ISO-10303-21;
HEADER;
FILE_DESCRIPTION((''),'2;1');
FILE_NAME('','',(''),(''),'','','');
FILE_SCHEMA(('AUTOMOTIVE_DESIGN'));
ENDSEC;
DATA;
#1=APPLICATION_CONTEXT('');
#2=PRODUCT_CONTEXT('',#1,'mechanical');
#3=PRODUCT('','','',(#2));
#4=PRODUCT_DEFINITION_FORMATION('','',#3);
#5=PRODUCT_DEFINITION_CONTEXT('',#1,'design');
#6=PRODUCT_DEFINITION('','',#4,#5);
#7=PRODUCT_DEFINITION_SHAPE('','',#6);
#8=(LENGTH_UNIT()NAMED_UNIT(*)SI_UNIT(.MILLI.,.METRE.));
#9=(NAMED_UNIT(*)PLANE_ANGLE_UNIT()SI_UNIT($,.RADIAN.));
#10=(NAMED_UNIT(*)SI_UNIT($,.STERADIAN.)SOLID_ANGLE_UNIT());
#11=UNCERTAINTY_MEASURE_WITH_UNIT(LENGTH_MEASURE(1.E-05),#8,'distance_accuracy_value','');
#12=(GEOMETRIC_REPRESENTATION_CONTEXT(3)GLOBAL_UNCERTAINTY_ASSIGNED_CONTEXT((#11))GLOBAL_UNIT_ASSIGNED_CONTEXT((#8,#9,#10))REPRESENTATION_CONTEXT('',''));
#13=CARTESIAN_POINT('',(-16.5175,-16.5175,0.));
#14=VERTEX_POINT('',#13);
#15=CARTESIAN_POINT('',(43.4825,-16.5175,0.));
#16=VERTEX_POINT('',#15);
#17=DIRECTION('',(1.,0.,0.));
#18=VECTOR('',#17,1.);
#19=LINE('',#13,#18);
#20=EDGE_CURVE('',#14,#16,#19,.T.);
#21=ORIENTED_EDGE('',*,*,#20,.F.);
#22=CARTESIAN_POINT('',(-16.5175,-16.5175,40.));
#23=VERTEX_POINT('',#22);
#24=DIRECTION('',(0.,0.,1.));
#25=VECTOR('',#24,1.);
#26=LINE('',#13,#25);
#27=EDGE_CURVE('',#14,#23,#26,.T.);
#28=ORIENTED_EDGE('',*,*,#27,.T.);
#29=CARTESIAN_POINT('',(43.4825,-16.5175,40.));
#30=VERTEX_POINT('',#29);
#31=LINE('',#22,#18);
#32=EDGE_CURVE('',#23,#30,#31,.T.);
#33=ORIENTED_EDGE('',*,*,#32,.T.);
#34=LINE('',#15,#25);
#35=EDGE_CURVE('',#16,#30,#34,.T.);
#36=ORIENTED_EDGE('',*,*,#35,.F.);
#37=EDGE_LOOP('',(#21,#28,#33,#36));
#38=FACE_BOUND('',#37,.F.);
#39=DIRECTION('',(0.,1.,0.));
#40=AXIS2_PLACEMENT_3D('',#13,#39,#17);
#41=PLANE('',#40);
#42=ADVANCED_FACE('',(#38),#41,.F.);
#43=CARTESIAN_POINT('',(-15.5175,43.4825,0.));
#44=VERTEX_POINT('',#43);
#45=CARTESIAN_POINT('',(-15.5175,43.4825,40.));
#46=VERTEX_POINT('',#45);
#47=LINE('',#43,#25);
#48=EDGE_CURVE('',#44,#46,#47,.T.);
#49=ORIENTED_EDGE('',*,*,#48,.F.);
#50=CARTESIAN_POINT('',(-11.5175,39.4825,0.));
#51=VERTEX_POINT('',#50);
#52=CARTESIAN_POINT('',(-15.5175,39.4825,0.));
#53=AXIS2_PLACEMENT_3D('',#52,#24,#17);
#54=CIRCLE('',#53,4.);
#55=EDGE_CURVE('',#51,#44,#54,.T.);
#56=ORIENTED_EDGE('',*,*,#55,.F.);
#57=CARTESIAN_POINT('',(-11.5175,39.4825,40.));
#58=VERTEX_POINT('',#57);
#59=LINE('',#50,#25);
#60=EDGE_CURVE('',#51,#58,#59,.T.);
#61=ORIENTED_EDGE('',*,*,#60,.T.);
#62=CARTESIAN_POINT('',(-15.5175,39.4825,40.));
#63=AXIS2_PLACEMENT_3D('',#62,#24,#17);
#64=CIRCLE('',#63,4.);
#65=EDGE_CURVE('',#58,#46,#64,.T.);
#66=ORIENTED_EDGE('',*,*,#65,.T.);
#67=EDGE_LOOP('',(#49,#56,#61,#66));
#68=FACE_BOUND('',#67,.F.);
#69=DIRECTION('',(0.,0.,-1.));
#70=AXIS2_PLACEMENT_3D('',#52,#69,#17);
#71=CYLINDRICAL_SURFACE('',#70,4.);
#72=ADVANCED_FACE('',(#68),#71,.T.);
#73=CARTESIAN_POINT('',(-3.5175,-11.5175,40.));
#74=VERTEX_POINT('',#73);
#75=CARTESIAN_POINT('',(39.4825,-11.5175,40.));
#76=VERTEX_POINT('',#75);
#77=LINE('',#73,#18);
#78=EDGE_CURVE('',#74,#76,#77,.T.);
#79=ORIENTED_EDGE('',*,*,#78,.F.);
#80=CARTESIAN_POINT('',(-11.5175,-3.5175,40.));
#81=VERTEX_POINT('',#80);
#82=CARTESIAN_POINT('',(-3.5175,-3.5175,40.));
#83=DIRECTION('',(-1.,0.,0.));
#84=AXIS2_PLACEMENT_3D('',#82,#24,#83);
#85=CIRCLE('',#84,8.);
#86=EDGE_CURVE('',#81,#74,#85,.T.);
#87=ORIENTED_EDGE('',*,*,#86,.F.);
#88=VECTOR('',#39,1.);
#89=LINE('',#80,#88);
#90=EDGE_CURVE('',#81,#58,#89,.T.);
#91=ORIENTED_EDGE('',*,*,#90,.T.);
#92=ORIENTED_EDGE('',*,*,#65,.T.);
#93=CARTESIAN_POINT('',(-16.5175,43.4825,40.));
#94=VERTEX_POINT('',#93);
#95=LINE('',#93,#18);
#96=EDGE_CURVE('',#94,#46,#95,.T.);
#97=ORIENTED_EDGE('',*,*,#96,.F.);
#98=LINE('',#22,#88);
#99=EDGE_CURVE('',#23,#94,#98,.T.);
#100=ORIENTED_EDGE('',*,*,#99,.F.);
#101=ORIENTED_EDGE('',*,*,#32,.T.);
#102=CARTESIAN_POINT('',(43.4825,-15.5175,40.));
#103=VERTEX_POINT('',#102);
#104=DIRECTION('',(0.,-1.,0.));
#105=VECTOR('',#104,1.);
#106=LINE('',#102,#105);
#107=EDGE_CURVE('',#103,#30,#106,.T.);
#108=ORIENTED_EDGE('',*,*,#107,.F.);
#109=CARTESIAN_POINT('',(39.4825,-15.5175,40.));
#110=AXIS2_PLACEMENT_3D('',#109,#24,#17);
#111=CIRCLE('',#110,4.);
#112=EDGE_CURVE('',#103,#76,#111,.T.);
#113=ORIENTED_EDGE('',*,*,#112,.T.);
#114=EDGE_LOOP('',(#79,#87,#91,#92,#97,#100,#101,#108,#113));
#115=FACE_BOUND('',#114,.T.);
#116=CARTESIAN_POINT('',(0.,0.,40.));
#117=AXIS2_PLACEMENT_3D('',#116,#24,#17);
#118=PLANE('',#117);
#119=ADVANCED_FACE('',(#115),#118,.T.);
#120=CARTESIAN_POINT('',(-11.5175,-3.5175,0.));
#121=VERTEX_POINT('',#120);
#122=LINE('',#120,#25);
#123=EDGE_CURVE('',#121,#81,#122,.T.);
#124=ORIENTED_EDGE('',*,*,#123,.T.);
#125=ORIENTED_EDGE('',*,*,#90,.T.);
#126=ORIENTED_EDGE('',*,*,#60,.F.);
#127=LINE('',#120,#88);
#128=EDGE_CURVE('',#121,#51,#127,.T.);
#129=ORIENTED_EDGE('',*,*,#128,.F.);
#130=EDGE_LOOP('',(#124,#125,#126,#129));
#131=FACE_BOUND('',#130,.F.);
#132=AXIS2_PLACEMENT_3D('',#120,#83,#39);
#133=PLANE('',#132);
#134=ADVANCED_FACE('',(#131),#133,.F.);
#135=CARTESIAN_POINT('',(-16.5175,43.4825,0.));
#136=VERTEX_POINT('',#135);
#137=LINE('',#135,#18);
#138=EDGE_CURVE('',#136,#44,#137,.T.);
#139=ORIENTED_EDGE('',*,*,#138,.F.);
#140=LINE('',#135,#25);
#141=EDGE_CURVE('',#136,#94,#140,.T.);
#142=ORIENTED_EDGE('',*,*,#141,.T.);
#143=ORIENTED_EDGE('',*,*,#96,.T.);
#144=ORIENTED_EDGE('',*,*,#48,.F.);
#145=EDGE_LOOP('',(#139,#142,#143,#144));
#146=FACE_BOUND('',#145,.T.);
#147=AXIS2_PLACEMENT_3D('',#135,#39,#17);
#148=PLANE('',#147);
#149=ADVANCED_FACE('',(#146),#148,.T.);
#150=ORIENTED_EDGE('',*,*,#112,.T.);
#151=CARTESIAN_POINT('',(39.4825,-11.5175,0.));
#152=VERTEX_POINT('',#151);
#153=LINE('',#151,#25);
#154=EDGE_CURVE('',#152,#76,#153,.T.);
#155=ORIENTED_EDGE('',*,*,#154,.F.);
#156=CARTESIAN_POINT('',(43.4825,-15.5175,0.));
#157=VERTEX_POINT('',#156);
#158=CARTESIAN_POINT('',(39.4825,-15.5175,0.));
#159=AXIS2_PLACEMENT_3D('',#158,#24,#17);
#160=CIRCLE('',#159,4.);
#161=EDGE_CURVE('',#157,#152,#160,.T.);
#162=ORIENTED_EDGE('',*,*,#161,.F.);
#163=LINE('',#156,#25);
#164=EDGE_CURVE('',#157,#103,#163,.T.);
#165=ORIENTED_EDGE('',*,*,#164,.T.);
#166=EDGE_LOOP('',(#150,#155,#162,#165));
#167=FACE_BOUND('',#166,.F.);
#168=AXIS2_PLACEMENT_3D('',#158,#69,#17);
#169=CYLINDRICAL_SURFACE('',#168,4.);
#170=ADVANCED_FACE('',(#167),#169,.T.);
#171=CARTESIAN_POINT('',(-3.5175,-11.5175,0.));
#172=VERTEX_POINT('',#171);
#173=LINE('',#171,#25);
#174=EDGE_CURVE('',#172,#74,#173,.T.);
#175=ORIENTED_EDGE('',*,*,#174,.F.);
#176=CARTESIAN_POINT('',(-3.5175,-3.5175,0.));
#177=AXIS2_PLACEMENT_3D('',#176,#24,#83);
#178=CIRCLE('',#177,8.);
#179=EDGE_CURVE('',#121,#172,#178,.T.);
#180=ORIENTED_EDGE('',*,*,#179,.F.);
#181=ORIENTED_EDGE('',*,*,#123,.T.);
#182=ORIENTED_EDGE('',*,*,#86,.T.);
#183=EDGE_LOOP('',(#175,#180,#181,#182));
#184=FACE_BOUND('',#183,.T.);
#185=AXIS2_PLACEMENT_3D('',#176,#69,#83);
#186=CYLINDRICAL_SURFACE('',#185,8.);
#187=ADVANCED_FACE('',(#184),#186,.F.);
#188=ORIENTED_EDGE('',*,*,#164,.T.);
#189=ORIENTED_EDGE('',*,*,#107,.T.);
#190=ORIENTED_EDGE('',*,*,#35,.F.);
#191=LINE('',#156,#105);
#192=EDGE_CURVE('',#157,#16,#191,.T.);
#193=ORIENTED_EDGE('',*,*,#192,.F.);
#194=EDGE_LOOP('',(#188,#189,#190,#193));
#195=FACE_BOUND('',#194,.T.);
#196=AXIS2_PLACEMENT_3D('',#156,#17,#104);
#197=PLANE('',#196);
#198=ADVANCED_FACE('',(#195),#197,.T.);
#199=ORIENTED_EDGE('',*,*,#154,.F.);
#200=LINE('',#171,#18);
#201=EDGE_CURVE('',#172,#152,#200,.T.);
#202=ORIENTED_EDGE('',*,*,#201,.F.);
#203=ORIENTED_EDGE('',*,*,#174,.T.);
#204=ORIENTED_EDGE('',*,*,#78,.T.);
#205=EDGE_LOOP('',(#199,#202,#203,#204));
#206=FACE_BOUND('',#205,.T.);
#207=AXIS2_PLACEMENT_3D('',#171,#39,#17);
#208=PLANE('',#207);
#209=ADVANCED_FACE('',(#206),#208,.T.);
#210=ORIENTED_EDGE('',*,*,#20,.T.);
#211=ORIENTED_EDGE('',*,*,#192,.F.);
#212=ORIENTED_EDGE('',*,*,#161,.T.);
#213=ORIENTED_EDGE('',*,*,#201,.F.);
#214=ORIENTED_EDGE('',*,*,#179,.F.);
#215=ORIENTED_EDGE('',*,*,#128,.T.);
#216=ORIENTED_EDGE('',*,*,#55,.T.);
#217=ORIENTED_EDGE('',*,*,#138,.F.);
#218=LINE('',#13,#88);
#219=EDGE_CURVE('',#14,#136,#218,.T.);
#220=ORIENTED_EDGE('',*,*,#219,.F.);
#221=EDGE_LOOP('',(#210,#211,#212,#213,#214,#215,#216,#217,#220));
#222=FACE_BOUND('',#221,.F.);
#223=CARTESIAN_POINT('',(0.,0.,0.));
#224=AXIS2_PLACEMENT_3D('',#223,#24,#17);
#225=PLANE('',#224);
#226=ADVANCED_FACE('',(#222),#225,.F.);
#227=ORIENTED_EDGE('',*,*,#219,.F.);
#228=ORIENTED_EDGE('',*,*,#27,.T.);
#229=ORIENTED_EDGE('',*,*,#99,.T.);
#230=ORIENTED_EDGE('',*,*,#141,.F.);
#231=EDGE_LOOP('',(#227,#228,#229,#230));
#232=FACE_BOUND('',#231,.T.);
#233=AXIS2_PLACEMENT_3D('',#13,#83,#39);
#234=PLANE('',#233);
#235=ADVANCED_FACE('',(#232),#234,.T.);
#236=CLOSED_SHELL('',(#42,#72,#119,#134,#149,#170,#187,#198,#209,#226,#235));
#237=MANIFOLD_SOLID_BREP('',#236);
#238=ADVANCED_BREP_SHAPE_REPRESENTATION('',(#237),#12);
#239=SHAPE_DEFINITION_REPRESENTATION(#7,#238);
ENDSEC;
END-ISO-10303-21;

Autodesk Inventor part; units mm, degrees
ref_plane "YZ Plane" through (0, 0, 0) normal (1, 0, 0) x (0, 1, 0)
ref_plane "Płaszczyzna początkowa" through (0, 0, 0) normal (0, 0, 1) x (1, 0, 0)
ref_plane "Płaszczyzna końcowa" through (0, 0, 40) normal (0, 0, 1) x (1, 0, 0)
sketch "Szkic2" plane through (0, 0, 0) normal (0, 0, 1) x (1, 0, 0)
  line L0 (-11.5175, -3.5175) -> (-11.5175, 39.4825)
  line L1 (-16.5175, 43.4825) -> (-15.5175, 43.4825)
  line L2 (-16.5175, -16.5175) -> (-16.5175, 43.4825)
  line L3 (-16.5175, -16.5175) -> (43.4825, -16.5175)
  line L4 (43.4825, -15.5175) -> (43.4825, -16.5175)
  line L5 (-3.5175, -11.5175) -> (39.4825, -11.5175)
  arc A0 (-11.5175, -3.5175) -> (-3.5175, -11.5175) centre (-3.5175, -3.5175) ccw
  arc A1 (-11.5175, 39.4825) -> (-15.5175, 43.4825) centre (-15.5175, 39.4825) ccw
  arc A2 (43.4825, -15.5175) -> (39.4825, -11.5175) centre (39.4825, -15.5175) ccw
  line L6 (0, 60.8698) -> (0, -10.145) construction
  line L7 (-10.145, 0) -> (60.8698, 0) construction
  point P0 (-11.5175, -11.5175)
  point P1 (-11.5175, 43.4825)
  point P2 (43.4825, -11.5175)
  dimension "d4" = 60
  dimension "d6" = 60
  dimension "d8" = 5
  dimension "d10" = 5
  dimension "d17" = 8
  dimension "d18" = 4
  dimension "d19" = 16.5175
  dimension "d20" = 16.5175
extrude "Bryła" add sketch "Szkic2" along normal up to surface (40 mm away) from surface at 0
sketch "Sketch3" plane through (0, 0, 0) normal (0, 0, 1) x (1, 0, 0)
  line L0 (0, 0) -> (10, 0)
ref_plane "Work Plane10" through (0, 0, 0) normal (0, -1, 0) x (1, 0, 0)
sketch "Sketch4" plane through (0, 0, 0) normal (0, -1, 0) x (1, 0, 0)
  line L0 (-2, 0) -> (12, 0)
  line L1 (-2, 40) -> (12, 40)
  dimension "d24" = 40
equation "\"d4\" = b"
equation "\"d6\" = b"
equation "\"d8\" = ParT"
equation "\"d10\" = ParT"
equation "\"d17\" = R"
equation "\"d18\" = R1"
equation "\"d19\" = ex"
equation "\"d20\" = d19"
equation "\"d11\" = G_L"
equation "\"b\" = 60"
equation "\"ParT\" = 5"
equation "\"R\" = 8"
equation "\"R1\" = 4"
equation "\"G_L\" = d24"
equation "\"G_OFFSET_START\" = 0"
equation "\"G_OFFSET_END\" = 0"
equation "\"ex\" = 16.517477"
properties part number "DIN EN 10056-1 - L60x60x5-40" material "Stal, miękka"
